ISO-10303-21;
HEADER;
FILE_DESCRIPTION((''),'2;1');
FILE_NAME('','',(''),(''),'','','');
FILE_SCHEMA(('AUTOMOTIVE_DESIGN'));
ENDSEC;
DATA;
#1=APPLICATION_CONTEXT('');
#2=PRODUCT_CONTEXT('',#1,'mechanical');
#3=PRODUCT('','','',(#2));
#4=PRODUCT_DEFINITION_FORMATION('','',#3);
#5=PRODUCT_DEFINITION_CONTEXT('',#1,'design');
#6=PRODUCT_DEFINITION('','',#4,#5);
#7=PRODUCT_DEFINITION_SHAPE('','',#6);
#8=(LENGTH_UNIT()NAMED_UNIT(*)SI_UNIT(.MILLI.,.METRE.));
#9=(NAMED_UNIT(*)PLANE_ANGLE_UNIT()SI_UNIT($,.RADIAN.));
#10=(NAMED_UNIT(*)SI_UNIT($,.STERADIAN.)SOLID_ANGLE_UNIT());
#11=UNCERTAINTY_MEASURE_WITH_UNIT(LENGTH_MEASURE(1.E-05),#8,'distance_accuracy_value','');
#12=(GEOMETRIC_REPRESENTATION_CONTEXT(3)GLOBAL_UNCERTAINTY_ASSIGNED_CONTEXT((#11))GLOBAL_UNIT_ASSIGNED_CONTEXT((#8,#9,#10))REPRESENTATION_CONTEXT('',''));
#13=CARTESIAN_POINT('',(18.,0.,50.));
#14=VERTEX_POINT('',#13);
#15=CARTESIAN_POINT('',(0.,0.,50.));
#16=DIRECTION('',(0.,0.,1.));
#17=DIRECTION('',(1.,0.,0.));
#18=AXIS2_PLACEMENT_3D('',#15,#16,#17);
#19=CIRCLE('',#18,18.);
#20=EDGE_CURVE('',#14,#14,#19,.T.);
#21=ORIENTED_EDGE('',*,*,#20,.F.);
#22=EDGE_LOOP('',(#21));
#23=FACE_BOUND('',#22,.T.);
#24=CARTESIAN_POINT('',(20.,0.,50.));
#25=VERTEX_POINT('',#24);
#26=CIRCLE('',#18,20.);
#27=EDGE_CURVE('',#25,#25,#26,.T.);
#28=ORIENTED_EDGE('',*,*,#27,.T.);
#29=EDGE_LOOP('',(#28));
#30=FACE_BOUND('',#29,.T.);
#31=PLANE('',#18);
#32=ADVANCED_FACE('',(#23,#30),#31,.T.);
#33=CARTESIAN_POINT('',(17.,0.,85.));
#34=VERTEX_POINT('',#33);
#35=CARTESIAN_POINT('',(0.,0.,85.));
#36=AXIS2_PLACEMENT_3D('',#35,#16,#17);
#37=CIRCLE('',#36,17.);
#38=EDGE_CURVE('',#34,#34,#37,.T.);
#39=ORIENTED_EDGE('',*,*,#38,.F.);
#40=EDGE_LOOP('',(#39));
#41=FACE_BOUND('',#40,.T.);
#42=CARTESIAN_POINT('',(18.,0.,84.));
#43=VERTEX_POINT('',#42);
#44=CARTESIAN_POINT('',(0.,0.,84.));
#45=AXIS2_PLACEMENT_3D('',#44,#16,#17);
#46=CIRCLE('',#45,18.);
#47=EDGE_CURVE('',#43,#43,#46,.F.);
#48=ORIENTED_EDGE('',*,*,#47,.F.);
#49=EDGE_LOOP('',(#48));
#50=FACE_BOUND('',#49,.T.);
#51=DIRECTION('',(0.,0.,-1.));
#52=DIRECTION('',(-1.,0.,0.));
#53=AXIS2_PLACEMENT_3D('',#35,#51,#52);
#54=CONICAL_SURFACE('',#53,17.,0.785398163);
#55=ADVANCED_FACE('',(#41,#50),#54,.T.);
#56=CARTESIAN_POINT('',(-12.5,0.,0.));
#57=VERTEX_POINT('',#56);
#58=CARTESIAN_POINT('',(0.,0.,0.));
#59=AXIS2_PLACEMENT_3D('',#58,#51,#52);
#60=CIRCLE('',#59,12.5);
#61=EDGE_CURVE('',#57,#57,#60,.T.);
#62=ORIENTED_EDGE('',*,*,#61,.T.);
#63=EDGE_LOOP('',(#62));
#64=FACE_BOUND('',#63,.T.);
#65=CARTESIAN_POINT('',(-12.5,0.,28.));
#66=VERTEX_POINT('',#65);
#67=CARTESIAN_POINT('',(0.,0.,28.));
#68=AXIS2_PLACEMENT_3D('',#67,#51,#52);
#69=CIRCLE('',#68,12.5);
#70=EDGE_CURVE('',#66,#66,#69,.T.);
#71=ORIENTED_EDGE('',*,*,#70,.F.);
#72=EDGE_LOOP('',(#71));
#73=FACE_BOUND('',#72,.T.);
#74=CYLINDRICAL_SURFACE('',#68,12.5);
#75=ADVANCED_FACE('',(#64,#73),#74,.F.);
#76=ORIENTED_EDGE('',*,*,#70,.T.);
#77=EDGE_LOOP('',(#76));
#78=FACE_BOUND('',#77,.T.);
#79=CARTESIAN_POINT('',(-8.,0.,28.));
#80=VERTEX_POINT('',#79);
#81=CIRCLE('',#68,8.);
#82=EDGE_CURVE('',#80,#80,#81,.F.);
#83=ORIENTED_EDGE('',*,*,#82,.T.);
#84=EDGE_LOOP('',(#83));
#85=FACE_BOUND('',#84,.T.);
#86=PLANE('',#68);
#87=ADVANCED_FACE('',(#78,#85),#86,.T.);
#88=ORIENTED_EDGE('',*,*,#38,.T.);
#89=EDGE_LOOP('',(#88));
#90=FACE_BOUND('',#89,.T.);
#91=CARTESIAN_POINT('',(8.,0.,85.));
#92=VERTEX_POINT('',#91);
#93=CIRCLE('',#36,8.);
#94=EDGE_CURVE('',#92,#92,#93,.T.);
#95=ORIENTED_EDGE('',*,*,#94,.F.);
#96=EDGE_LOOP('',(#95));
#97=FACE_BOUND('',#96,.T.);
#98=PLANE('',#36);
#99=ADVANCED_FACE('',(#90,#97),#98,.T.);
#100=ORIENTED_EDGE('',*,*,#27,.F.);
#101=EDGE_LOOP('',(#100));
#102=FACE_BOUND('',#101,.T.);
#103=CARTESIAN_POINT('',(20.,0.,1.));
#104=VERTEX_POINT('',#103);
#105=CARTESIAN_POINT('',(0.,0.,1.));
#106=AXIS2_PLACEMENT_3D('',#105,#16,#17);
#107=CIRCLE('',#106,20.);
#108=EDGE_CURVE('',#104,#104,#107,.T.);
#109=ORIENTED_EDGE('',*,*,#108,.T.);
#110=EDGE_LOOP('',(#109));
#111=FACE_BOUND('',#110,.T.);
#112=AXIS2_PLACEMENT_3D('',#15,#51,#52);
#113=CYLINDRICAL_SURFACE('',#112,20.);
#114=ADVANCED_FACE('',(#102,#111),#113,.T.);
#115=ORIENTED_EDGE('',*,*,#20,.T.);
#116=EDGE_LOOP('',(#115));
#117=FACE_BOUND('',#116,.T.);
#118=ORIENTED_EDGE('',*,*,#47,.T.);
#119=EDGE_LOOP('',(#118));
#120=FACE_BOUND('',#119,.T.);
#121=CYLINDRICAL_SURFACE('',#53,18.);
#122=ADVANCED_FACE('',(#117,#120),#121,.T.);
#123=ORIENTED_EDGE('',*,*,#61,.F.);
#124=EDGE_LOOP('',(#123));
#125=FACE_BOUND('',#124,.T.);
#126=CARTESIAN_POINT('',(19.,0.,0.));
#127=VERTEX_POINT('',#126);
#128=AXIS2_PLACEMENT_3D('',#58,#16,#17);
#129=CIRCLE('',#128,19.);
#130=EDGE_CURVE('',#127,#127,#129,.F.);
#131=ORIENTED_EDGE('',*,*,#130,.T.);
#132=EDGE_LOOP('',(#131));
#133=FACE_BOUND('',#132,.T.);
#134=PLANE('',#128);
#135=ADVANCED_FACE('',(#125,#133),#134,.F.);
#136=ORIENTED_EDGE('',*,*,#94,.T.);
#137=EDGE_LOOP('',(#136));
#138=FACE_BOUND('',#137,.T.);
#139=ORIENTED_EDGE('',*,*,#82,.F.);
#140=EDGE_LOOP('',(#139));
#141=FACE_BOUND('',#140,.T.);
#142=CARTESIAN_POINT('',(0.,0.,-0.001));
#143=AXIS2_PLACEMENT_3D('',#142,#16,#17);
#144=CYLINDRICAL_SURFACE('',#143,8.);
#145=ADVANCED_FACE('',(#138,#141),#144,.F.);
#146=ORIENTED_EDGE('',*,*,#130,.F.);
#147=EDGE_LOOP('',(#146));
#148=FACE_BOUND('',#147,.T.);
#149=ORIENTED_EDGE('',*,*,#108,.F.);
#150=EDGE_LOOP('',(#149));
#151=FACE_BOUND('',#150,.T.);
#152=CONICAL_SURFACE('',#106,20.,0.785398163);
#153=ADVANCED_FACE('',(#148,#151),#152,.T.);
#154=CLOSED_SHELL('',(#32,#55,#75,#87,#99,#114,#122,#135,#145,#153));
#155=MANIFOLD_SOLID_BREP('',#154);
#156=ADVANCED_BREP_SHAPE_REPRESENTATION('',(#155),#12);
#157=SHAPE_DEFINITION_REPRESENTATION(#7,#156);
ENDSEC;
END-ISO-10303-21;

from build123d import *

# Parameters (mm, degrees)
CROQUIS1_R              = 20
SALIENTE_EXTRUIR1_DEPTH = 50
CROQUIS2_R              = 18
SALIENTE_EXTRUIR2_DEPTH = 35
CROQUIS3_R              = 12.5
CORTAR_EXTRUIR1_DEPTH   = 28
CORTAR_EXTRUIR2_REACH   = 91.582
CROQUIS4_R              = 8
CHAFL_N1_SIZE           = 1


with BuildPart() as part:
    # Croquis1 → Saliente-Extruir1 (new body)
    with BuildSketch(Plane.XY):
        Circle(CROQUIS1_R)
    extrude(amount=SALIENTE_EXTRUIR1_DEPTH)

    # Croquis2 → Saliente-Extruir2 (add)
    with BuildSketch(Plane.XY.offset(50)):
        Circle(CROQUIS2_R)
    extrude(amount=SALIENTE_EXTRUIR2_DEPTH)

    # Croquis3 → Cortar-Extruir1 (cut)
    with BuildSketch(Plane(origin=(0, 0, 0), x_dir=(-1, 0, 0), z_dir=(0, 0, -1))):
        Circle(CROQUIS3_R)
    extrude(amount=-CORTAR_EXTRUIR1_DEPTH, mode=Mode.SUBTRACT)

    # Croquis4 → Cortar-Extruir2 (cut, up to next)
    with BuildSketch(Plane.XY.offset(85), mode=Mode.PRIVATE) as cortar_extruir2_sk1:
        Circle(CROQUIS4_R)
    cortar_extruir2_tool1 = extrude(cortar_extruir2_sk1.sketch, amount=-CORTAR_EXTRUIR2_REACH, mode=Mode.PRIVATE) & part.part
    add(cortar_extruir2_tool1.solids().sort_by_distance((0, 0, 85))[0], mode=Mode.SUBTRACT)

    # Chaflán1
    chafl_n1_edges = [part.edges().sort_by_distance(p)[0] for p in [
        (-20, 0, 0),
        (-18, 0, 85),
    ]]
    chamfer(chafl_n1_edges, length=CHAFL_N1_SIZE)


solid = part.part
